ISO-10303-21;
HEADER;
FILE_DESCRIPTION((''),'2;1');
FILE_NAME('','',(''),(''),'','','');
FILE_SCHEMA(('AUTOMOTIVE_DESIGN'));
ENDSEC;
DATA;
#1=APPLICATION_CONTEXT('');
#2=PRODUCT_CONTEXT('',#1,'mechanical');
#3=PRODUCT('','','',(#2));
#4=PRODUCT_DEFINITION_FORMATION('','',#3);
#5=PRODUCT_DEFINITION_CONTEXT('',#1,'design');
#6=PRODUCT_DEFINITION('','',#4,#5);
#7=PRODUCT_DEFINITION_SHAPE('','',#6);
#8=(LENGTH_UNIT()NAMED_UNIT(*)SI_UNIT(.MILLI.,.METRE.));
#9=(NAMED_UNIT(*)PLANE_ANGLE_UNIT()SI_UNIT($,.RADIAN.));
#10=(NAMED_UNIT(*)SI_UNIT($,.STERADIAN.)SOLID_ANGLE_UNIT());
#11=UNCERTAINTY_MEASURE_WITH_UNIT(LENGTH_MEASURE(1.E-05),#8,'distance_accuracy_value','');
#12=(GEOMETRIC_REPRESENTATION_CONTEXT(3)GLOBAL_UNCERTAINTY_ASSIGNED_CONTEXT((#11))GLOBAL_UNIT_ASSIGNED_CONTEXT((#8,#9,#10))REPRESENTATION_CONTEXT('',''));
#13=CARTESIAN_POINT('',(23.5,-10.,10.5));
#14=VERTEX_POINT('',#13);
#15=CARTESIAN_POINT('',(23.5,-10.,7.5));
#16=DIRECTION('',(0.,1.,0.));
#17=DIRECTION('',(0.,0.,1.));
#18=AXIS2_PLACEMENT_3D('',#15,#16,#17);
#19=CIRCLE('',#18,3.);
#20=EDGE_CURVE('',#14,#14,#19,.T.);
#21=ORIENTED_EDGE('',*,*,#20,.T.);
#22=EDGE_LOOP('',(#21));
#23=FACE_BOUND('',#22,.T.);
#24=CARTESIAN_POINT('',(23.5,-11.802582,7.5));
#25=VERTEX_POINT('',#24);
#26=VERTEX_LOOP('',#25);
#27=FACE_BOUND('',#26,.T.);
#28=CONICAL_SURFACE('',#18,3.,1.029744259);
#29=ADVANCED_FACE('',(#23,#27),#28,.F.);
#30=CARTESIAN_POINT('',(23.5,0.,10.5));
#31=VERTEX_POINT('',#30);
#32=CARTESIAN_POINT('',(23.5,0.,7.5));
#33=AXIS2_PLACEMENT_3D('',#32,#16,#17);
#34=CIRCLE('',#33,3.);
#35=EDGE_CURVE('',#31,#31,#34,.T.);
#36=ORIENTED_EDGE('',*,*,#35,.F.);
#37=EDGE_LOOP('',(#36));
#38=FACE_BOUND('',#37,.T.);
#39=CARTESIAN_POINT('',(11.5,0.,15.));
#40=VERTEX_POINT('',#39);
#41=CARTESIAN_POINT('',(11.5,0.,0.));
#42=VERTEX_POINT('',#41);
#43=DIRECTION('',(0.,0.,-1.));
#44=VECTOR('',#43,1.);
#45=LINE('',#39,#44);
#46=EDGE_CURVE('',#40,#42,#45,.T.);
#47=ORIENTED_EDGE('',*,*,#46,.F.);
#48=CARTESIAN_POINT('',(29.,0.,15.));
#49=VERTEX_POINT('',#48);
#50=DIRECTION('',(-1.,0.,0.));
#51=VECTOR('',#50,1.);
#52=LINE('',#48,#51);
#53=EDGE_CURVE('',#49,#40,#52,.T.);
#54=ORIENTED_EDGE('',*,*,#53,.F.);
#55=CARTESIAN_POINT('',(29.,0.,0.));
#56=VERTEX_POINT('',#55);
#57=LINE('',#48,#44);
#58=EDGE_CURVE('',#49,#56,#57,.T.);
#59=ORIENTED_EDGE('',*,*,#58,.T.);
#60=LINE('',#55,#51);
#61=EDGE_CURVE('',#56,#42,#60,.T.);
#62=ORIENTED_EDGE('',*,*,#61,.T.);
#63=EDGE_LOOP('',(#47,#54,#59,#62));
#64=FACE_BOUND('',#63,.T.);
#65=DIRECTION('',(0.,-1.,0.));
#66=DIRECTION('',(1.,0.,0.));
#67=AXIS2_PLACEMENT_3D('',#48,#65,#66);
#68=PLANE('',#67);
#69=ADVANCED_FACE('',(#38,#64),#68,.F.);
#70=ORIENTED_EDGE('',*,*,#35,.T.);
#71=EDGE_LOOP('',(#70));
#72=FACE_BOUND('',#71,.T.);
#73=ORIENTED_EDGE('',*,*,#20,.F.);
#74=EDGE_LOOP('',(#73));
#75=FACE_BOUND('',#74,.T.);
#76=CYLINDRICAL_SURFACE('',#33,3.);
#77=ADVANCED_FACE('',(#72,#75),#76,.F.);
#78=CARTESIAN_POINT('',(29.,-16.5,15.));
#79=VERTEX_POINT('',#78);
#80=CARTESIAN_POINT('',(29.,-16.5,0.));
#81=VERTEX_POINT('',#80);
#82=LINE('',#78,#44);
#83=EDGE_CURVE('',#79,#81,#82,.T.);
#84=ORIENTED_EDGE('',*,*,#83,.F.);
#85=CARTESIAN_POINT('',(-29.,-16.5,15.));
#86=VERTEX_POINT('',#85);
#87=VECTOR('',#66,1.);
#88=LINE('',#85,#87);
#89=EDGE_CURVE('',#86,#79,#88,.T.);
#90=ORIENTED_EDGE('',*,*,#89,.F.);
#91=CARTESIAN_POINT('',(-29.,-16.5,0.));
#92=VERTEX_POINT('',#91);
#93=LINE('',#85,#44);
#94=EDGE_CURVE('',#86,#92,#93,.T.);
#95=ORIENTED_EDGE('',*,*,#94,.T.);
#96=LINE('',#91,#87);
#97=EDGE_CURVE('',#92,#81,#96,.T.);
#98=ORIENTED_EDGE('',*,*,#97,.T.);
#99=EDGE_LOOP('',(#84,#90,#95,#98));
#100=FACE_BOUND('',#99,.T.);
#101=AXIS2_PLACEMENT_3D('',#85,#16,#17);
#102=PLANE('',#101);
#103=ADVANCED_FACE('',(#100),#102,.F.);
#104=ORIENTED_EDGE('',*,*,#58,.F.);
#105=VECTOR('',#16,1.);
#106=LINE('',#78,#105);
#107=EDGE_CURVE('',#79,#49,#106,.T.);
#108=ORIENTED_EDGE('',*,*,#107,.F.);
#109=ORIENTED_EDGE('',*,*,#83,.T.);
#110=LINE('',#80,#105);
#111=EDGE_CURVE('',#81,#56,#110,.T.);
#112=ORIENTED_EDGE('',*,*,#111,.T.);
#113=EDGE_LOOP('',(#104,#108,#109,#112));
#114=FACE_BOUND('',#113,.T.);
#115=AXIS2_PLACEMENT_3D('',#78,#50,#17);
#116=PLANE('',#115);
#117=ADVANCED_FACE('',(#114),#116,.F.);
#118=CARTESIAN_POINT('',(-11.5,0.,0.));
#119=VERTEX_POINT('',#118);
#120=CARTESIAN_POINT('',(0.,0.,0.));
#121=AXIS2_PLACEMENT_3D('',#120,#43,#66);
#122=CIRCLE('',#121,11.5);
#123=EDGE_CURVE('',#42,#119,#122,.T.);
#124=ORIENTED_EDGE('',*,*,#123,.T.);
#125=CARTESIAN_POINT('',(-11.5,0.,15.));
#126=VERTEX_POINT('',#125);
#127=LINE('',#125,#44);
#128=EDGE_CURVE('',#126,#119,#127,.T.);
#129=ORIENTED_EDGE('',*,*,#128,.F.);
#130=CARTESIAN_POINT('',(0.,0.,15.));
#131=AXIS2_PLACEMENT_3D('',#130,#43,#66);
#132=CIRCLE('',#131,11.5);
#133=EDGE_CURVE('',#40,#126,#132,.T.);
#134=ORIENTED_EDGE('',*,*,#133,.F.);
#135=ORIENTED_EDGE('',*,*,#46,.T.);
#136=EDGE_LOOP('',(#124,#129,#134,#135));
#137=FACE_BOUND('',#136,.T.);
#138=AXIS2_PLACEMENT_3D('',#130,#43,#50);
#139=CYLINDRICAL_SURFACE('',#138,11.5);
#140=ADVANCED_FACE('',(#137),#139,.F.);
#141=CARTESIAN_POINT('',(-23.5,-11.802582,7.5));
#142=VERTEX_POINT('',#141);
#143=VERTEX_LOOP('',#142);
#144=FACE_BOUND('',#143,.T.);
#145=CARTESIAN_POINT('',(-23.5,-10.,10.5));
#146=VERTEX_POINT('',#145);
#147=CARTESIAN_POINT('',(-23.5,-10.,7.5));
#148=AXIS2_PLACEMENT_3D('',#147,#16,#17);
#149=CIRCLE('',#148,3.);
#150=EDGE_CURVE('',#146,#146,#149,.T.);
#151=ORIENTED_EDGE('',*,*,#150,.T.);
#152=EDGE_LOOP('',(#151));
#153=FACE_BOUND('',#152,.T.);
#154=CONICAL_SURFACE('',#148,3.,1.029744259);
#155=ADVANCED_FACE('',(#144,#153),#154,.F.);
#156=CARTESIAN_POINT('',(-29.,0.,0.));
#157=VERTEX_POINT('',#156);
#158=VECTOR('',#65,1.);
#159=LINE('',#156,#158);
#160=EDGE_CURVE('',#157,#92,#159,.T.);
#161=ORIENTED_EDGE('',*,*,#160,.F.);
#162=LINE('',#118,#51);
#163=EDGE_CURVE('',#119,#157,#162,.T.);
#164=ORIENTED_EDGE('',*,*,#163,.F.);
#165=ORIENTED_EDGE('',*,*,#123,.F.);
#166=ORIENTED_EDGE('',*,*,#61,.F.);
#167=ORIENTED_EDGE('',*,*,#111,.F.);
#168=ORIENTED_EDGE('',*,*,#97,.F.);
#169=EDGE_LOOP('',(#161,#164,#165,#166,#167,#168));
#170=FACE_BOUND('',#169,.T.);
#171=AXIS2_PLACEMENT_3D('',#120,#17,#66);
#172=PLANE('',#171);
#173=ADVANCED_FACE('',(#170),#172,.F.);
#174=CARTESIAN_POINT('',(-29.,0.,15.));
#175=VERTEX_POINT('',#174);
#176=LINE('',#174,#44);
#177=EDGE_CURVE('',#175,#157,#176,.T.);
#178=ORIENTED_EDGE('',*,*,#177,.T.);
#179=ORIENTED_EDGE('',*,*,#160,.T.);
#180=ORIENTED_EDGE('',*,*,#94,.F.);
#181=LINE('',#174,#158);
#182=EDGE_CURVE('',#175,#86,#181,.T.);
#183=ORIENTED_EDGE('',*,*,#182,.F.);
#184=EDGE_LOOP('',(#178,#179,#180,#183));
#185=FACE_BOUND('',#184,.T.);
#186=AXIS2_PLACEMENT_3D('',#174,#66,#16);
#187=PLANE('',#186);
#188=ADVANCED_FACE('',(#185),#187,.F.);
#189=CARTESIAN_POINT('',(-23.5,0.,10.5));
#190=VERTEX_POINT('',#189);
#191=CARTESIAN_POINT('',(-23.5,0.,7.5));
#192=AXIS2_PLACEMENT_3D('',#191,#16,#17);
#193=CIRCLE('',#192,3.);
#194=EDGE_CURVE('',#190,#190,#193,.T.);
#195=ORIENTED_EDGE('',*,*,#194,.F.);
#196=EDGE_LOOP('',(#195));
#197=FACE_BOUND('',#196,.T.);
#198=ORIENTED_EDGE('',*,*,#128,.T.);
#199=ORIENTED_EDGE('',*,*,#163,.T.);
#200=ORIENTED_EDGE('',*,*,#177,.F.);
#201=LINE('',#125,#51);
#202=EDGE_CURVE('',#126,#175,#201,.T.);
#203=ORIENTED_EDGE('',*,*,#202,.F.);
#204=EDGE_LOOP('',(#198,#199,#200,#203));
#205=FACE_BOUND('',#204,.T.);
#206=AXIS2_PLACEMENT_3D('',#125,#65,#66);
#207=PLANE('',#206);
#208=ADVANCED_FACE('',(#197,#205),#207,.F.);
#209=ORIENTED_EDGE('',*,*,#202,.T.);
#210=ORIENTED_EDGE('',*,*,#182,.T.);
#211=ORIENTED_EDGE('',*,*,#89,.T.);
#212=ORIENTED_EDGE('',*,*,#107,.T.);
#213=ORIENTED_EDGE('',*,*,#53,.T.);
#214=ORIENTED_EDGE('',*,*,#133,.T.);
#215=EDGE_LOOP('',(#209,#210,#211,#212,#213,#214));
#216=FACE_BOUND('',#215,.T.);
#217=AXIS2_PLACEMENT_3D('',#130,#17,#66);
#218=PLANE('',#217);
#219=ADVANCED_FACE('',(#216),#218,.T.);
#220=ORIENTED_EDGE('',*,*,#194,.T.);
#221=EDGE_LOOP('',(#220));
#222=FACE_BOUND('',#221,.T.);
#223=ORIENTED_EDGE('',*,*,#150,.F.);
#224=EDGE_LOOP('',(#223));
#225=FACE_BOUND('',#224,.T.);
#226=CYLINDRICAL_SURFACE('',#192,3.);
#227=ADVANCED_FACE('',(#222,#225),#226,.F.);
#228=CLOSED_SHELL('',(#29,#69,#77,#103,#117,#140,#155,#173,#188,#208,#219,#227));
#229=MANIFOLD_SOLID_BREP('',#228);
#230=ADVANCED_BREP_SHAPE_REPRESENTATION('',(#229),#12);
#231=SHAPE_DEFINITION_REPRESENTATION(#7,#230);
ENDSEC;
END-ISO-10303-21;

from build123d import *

# Parameters (mm, degrees)
DODANIE_WYCI_GNI_CIE1_DEPTH = 15


with BuildPart() as part:
    # Szkic1 → Dodanie-wyciągnięcie1 (new body)
    with BuildSketch(Plane.XY):
        with BuildLine():
            Line((-11.5, 0), (-29, 0))
            Line((-29, 0), (-29, -16.5))
            Line((-29, -16.5), (29, -16.5))
            Line((29, -16.5), (29, 0))
            Line((29, 0), (11.5, 0))
            ThreePointArc((11.5, 0), (0, -11.5), (-11.5, 0))
        make_face()
    extrude(amount=DODANIE_WYCI_GNI_CIE1_DEPTH)

    # Szkic3 → Otwory ustalające Ø6.0mm1 (revolve, cut)
    with BuildSketch(Plane(origin=(-23.5, 0, 7.5), x_dir=(0, 0, 1), z_dir=(1, 0, 0))):
        Polygon((0, 0), (0, 11.802581857), (3, 10), (3, 0), align=None)
    otwory_ustalaj_ce_6_0mm1 = revolve(axis=Axis((-23.5, 6.35, 7.5), (0, -1, 0)), mode=Mode.SUBTRACT)

    # Lustro1: Otwory ustalające Ø6.0mm1 across plane
    add(otwory_ustalaj_ce_6_0mm1.mirror(Plane(origin=(0, 0, 0), x_dir=(0, 0, 1), z_dir=(1, 0, 0))), mode=Mode.SUBTRACT)


solid = part.part
